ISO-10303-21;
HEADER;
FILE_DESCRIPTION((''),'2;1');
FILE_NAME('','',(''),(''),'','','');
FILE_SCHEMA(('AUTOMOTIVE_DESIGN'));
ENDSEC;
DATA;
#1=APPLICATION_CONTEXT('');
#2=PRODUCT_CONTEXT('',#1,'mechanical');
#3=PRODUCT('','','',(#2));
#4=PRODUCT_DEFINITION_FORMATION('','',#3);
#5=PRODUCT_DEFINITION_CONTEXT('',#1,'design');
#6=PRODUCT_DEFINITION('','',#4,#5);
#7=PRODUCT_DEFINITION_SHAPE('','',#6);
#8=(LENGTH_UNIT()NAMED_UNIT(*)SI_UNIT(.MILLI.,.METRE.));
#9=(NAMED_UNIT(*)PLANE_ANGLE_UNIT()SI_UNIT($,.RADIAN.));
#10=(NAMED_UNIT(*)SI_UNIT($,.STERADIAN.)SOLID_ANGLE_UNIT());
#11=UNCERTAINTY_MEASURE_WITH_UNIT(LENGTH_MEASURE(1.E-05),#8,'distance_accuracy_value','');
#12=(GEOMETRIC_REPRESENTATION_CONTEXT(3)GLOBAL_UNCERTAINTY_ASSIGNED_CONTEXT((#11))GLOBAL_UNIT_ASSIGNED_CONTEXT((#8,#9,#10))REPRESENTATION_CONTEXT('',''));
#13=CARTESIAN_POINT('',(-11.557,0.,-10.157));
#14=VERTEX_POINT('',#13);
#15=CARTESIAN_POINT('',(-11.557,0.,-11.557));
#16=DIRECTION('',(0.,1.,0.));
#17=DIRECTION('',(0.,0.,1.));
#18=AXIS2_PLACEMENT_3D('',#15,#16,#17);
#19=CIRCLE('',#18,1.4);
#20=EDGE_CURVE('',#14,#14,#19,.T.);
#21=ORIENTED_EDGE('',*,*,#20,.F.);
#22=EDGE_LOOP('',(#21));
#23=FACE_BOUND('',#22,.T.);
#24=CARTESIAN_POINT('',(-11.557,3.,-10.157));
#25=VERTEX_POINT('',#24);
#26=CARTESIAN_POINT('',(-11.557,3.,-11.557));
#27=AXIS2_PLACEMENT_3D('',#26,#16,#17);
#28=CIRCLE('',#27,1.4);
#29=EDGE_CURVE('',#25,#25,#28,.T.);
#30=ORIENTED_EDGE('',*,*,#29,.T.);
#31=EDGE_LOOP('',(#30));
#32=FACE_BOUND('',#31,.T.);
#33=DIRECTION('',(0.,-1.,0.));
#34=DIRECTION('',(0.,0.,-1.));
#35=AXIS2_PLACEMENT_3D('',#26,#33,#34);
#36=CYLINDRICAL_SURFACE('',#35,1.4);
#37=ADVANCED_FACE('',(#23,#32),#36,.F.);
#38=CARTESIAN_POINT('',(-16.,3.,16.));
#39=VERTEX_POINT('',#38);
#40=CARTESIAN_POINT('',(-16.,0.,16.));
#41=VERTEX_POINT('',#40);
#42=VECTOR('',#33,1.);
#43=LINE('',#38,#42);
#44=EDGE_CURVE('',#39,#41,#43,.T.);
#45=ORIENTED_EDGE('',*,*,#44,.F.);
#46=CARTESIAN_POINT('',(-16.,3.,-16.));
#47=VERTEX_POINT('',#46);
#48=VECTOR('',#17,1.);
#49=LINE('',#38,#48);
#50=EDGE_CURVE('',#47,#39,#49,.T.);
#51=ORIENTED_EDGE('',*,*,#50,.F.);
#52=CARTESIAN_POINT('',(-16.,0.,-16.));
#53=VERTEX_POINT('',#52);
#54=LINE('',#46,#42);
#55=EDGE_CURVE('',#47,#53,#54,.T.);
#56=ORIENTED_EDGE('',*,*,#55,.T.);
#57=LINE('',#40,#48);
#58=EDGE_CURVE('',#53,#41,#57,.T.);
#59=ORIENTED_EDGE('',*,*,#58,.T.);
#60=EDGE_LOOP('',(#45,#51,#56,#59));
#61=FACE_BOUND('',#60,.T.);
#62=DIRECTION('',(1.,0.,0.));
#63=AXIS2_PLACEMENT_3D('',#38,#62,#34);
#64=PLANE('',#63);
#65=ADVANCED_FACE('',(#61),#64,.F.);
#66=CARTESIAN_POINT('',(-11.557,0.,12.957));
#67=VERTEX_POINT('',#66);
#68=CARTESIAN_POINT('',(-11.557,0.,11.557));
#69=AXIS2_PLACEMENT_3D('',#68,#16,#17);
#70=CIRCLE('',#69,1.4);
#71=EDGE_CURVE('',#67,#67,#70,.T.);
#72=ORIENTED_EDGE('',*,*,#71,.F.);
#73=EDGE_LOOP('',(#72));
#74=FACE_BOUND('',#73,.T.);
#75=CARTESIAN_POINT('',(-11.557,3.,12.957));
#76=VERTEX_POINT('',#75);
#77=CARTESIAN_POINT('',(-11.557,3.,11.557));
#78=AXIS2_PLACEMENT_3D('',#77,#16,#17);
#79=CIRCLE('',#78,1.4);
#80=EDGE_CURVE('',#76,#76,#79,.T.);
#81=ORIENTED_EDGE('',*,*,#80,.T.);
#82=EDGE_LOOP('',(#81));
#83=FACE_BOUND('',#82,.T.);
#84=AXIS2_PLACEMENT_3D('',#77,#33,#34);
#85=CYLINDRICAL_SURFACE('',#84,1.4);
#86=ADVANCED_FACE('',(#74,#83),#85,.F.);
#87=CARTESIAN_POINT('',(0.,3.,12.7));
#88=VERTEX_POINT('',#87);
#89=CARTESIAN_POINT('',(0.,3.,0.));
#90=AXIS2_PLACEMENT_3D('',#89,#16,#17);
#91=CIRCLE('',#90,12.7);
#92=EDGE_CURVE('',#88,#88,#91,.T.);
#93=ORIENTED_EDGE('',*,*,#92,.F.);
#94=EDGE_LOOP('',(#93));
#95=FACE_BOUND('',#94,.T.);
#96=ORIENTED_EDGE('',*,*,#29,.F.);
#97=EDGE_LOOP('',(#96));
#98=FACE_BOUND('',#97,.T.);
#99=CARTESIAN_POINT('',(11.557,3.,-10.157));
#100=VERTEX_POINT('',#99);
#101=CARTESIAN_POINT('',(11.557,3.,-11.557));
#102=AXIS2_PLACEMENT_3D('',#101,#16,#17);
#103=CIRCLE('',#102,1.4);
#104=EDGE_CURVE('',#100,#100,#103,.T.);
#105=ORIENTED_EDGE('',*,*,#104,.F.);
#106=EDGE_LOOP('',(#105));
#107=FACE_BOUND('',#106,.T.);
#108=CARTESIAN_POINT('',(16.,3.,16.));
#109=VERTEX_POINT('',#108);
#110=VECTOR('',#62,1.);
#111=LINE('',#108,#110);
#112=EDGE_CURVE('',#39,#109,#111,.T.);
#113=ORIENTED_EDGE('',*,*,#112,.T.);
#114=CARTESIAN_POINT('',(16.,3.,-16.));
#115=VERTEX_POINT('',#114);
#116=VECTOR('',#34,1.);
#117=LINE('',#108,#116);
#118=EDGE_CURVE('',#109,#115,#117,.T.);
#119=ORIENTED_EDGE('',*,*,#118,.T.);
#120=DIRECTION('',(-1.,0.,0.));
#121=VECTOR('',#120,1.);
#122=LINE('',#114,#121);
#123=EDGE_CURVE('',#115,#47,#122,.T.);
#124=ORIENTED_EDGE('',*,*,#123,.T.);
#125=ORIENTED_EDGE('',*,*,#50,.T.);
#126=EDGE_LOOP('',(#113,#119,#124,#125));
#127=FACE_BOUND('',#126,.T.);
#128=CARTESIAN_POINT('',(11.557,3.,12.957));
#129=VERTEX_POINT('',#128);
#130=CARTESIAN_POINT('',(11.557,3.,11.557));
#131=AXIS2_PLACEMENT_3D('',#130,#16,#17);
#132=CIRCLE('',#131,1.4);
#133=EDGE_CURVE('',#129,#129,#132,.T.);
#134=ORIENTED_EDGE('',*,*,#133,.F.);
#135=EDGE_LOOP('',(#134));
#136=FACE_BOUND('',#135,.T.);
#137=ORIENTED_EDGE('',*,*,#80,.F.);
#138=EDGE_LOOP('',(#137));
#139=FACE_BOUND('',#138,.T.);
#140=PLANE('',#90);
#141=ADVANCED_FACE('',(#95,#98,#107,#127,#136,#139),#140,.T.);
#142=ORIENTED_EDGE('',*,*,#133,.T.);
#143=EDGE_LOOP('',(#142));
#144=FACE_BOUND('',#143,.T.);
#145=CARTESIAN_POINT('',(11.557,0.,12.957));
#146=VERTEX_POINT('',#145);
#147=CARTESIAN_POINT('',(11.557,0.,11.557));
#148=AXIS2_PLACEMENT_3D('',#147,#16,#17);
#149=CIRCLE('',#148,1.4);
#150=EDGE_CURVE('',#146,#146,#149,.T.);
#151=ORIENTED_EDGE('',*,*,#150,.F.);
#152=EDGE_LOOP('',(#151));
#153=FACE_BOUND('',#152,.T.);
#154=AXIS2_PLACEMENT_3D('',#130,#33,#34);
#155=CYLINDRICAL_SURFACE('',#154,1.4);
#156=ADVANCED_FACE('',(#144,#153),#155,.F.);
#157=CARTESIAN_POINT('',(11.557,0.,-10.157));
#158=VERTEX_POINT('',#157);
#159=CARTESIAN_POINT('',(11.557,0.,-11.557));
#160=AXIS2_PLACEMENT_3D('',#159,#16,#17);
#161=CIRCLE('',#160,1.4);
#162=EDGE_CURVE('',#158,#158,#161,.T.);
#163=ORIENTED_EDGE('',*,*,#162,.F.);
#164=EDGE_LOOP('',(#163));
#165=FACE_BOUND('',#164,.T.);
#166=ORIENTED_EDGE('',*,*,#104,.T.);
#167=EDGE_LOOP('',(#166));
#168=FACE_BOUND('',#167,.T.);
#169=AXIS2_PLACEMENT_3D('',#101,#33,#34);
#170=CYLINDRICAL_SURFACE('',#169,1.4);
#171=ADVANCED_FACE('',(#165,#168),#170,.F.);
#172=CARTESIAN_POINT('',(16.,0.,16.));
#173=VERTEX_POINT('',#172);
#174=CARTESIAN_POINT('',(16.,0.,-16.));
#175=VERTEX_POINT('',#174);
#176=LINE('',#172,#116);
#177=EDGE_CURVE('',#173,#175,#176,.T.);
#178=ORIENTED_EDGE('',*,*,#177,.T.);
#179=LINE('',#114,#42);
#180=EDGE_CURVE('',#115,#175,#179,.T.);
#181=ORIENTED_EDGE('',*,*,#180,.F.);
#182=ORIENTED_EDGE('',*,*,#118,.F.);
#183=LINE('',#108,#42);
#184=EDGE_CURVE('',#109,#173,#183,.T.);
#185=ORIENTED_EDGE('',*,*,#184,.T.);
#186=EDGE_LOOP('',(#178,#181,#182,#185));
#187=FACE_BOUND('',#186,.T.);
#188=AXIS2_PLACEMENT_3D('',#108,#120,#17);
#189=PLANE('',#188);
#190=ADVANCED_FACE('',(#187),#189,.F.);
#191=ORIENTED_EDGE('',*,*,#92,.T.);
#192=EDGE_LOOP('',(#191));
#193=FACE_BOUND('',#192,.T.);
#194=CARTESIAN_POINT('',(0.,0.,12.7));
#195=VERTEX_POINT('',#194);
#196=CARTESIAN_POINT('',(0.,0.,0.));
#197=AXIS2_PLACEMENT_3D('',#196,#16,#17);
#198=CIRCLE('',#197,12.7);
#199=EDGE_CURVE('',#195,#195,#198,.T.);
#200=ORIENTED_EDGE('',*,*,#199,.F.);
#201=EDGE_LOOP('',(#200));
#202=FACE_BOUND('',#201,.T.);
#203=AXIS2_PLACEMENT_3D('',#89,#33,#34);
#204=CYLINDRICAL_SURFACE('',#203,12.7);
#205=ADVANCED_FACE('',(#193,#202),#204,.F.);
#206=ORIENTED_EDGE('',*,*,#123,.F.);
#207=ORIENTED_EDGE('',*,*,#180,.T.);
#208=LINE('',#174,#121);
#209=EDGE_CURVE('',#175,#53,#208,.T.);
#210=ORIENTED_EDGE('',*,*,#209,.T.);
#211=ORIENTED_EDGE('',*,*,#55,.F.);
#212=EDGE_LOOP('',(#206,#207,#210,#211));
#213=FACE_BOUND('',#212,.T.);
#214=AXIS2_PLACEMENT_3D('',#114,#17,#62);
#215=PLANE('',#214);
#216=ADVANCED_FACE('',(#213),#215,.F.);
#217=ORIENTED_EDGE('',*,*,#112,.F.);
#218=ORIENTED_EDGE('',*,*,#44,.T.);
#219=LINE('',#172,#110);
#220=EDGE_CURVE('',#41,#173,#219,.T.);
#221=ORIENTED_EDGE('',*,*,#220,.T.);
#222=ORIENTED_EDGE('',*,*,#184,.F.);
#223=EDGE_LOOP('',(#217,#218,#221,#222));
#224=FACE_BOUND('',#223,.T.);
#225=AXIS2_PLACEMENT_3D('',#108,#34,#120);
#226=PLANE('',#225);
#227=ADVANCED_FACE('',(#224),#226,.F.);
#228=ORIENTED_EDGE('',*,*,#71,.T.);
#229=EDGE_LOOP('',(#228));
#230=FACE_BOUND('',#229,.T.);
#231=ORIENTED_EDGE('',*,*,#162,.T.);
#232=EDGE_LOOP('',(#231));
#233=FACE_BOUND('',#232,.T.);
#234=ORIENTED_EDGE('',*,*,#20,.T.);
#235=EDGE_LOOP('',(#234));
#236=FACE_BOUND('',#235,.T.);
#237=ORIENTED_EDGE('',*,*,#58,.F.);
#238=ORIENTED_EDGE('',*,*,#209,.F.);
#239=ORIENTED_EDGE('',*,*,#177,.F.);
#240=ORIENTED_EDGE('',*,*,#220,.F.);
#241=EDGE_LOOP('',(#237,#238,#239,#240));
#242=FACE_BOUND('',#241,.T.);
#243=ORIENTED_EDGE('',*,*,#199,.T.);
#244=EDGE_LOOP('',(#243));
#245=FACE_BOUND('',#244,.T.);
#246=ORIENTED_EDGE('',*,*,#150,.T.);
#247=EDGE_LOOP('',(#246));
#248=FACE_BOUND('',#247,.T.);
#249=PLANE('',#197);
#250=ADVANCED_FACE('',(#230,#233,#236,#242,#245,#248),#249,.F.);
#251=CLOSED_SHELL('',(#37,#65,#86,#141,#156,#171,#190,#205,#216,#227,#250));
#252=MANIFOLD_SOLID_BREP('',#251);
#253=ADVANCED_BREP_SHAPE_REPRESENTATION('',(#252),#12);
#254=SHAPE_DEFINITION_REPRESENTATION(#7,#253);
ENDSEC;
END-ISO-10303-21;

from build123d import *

# Parameters (mm, degrees)
SKETCH1_W           = 32
SKETCH1_H           = 32
SKETCH1_R           = 1.4
SKETCH1_R_2         = 12.7
BOSS_EXTRUDE1_DEPTH = 3


with BuildPart() as part:
    # Sketch1 → Boss-Extrude1 (new body)
    with BuildSketch(Plane(origin=(0, 0, 0), x_dir=(1, 0, 0), z_dir=(0, 1, 0))):
        Rectangle(SKETCH1_W, SKETCH1_H)
        with Locations(Location((-11.557, -11.557, 0), (0, 0, 270))):
            Circle(SKETCH1_R, mode=Mode.SUBTRACT)
        with Locations(Location((11.557, -11.557, 0), (0, 0, 270))):
            Circle(SKETCH1_R, mode=Mode.SUBTRACT)
        with Locations(Location((11.557, 11.557, 0), (0, 0, 270))):
            Circle(SKETCH1_R, mode=Mode.SUBTRACT)
        with Locations(Location((-11.557, 11.557, 0), (0, 0, 270))):
            Circle(SKETCH1_R, mode=Mode.SUBTRACT)
        with Locations(Location((0, 0, 0), (0, 0, 270))):
            Circle(SKETCH1_R_2, mode=Mode.SUBTRACT)
    extrude(amount=BOSS_EXTRUDE1_DEPTH)


solid = part.part
